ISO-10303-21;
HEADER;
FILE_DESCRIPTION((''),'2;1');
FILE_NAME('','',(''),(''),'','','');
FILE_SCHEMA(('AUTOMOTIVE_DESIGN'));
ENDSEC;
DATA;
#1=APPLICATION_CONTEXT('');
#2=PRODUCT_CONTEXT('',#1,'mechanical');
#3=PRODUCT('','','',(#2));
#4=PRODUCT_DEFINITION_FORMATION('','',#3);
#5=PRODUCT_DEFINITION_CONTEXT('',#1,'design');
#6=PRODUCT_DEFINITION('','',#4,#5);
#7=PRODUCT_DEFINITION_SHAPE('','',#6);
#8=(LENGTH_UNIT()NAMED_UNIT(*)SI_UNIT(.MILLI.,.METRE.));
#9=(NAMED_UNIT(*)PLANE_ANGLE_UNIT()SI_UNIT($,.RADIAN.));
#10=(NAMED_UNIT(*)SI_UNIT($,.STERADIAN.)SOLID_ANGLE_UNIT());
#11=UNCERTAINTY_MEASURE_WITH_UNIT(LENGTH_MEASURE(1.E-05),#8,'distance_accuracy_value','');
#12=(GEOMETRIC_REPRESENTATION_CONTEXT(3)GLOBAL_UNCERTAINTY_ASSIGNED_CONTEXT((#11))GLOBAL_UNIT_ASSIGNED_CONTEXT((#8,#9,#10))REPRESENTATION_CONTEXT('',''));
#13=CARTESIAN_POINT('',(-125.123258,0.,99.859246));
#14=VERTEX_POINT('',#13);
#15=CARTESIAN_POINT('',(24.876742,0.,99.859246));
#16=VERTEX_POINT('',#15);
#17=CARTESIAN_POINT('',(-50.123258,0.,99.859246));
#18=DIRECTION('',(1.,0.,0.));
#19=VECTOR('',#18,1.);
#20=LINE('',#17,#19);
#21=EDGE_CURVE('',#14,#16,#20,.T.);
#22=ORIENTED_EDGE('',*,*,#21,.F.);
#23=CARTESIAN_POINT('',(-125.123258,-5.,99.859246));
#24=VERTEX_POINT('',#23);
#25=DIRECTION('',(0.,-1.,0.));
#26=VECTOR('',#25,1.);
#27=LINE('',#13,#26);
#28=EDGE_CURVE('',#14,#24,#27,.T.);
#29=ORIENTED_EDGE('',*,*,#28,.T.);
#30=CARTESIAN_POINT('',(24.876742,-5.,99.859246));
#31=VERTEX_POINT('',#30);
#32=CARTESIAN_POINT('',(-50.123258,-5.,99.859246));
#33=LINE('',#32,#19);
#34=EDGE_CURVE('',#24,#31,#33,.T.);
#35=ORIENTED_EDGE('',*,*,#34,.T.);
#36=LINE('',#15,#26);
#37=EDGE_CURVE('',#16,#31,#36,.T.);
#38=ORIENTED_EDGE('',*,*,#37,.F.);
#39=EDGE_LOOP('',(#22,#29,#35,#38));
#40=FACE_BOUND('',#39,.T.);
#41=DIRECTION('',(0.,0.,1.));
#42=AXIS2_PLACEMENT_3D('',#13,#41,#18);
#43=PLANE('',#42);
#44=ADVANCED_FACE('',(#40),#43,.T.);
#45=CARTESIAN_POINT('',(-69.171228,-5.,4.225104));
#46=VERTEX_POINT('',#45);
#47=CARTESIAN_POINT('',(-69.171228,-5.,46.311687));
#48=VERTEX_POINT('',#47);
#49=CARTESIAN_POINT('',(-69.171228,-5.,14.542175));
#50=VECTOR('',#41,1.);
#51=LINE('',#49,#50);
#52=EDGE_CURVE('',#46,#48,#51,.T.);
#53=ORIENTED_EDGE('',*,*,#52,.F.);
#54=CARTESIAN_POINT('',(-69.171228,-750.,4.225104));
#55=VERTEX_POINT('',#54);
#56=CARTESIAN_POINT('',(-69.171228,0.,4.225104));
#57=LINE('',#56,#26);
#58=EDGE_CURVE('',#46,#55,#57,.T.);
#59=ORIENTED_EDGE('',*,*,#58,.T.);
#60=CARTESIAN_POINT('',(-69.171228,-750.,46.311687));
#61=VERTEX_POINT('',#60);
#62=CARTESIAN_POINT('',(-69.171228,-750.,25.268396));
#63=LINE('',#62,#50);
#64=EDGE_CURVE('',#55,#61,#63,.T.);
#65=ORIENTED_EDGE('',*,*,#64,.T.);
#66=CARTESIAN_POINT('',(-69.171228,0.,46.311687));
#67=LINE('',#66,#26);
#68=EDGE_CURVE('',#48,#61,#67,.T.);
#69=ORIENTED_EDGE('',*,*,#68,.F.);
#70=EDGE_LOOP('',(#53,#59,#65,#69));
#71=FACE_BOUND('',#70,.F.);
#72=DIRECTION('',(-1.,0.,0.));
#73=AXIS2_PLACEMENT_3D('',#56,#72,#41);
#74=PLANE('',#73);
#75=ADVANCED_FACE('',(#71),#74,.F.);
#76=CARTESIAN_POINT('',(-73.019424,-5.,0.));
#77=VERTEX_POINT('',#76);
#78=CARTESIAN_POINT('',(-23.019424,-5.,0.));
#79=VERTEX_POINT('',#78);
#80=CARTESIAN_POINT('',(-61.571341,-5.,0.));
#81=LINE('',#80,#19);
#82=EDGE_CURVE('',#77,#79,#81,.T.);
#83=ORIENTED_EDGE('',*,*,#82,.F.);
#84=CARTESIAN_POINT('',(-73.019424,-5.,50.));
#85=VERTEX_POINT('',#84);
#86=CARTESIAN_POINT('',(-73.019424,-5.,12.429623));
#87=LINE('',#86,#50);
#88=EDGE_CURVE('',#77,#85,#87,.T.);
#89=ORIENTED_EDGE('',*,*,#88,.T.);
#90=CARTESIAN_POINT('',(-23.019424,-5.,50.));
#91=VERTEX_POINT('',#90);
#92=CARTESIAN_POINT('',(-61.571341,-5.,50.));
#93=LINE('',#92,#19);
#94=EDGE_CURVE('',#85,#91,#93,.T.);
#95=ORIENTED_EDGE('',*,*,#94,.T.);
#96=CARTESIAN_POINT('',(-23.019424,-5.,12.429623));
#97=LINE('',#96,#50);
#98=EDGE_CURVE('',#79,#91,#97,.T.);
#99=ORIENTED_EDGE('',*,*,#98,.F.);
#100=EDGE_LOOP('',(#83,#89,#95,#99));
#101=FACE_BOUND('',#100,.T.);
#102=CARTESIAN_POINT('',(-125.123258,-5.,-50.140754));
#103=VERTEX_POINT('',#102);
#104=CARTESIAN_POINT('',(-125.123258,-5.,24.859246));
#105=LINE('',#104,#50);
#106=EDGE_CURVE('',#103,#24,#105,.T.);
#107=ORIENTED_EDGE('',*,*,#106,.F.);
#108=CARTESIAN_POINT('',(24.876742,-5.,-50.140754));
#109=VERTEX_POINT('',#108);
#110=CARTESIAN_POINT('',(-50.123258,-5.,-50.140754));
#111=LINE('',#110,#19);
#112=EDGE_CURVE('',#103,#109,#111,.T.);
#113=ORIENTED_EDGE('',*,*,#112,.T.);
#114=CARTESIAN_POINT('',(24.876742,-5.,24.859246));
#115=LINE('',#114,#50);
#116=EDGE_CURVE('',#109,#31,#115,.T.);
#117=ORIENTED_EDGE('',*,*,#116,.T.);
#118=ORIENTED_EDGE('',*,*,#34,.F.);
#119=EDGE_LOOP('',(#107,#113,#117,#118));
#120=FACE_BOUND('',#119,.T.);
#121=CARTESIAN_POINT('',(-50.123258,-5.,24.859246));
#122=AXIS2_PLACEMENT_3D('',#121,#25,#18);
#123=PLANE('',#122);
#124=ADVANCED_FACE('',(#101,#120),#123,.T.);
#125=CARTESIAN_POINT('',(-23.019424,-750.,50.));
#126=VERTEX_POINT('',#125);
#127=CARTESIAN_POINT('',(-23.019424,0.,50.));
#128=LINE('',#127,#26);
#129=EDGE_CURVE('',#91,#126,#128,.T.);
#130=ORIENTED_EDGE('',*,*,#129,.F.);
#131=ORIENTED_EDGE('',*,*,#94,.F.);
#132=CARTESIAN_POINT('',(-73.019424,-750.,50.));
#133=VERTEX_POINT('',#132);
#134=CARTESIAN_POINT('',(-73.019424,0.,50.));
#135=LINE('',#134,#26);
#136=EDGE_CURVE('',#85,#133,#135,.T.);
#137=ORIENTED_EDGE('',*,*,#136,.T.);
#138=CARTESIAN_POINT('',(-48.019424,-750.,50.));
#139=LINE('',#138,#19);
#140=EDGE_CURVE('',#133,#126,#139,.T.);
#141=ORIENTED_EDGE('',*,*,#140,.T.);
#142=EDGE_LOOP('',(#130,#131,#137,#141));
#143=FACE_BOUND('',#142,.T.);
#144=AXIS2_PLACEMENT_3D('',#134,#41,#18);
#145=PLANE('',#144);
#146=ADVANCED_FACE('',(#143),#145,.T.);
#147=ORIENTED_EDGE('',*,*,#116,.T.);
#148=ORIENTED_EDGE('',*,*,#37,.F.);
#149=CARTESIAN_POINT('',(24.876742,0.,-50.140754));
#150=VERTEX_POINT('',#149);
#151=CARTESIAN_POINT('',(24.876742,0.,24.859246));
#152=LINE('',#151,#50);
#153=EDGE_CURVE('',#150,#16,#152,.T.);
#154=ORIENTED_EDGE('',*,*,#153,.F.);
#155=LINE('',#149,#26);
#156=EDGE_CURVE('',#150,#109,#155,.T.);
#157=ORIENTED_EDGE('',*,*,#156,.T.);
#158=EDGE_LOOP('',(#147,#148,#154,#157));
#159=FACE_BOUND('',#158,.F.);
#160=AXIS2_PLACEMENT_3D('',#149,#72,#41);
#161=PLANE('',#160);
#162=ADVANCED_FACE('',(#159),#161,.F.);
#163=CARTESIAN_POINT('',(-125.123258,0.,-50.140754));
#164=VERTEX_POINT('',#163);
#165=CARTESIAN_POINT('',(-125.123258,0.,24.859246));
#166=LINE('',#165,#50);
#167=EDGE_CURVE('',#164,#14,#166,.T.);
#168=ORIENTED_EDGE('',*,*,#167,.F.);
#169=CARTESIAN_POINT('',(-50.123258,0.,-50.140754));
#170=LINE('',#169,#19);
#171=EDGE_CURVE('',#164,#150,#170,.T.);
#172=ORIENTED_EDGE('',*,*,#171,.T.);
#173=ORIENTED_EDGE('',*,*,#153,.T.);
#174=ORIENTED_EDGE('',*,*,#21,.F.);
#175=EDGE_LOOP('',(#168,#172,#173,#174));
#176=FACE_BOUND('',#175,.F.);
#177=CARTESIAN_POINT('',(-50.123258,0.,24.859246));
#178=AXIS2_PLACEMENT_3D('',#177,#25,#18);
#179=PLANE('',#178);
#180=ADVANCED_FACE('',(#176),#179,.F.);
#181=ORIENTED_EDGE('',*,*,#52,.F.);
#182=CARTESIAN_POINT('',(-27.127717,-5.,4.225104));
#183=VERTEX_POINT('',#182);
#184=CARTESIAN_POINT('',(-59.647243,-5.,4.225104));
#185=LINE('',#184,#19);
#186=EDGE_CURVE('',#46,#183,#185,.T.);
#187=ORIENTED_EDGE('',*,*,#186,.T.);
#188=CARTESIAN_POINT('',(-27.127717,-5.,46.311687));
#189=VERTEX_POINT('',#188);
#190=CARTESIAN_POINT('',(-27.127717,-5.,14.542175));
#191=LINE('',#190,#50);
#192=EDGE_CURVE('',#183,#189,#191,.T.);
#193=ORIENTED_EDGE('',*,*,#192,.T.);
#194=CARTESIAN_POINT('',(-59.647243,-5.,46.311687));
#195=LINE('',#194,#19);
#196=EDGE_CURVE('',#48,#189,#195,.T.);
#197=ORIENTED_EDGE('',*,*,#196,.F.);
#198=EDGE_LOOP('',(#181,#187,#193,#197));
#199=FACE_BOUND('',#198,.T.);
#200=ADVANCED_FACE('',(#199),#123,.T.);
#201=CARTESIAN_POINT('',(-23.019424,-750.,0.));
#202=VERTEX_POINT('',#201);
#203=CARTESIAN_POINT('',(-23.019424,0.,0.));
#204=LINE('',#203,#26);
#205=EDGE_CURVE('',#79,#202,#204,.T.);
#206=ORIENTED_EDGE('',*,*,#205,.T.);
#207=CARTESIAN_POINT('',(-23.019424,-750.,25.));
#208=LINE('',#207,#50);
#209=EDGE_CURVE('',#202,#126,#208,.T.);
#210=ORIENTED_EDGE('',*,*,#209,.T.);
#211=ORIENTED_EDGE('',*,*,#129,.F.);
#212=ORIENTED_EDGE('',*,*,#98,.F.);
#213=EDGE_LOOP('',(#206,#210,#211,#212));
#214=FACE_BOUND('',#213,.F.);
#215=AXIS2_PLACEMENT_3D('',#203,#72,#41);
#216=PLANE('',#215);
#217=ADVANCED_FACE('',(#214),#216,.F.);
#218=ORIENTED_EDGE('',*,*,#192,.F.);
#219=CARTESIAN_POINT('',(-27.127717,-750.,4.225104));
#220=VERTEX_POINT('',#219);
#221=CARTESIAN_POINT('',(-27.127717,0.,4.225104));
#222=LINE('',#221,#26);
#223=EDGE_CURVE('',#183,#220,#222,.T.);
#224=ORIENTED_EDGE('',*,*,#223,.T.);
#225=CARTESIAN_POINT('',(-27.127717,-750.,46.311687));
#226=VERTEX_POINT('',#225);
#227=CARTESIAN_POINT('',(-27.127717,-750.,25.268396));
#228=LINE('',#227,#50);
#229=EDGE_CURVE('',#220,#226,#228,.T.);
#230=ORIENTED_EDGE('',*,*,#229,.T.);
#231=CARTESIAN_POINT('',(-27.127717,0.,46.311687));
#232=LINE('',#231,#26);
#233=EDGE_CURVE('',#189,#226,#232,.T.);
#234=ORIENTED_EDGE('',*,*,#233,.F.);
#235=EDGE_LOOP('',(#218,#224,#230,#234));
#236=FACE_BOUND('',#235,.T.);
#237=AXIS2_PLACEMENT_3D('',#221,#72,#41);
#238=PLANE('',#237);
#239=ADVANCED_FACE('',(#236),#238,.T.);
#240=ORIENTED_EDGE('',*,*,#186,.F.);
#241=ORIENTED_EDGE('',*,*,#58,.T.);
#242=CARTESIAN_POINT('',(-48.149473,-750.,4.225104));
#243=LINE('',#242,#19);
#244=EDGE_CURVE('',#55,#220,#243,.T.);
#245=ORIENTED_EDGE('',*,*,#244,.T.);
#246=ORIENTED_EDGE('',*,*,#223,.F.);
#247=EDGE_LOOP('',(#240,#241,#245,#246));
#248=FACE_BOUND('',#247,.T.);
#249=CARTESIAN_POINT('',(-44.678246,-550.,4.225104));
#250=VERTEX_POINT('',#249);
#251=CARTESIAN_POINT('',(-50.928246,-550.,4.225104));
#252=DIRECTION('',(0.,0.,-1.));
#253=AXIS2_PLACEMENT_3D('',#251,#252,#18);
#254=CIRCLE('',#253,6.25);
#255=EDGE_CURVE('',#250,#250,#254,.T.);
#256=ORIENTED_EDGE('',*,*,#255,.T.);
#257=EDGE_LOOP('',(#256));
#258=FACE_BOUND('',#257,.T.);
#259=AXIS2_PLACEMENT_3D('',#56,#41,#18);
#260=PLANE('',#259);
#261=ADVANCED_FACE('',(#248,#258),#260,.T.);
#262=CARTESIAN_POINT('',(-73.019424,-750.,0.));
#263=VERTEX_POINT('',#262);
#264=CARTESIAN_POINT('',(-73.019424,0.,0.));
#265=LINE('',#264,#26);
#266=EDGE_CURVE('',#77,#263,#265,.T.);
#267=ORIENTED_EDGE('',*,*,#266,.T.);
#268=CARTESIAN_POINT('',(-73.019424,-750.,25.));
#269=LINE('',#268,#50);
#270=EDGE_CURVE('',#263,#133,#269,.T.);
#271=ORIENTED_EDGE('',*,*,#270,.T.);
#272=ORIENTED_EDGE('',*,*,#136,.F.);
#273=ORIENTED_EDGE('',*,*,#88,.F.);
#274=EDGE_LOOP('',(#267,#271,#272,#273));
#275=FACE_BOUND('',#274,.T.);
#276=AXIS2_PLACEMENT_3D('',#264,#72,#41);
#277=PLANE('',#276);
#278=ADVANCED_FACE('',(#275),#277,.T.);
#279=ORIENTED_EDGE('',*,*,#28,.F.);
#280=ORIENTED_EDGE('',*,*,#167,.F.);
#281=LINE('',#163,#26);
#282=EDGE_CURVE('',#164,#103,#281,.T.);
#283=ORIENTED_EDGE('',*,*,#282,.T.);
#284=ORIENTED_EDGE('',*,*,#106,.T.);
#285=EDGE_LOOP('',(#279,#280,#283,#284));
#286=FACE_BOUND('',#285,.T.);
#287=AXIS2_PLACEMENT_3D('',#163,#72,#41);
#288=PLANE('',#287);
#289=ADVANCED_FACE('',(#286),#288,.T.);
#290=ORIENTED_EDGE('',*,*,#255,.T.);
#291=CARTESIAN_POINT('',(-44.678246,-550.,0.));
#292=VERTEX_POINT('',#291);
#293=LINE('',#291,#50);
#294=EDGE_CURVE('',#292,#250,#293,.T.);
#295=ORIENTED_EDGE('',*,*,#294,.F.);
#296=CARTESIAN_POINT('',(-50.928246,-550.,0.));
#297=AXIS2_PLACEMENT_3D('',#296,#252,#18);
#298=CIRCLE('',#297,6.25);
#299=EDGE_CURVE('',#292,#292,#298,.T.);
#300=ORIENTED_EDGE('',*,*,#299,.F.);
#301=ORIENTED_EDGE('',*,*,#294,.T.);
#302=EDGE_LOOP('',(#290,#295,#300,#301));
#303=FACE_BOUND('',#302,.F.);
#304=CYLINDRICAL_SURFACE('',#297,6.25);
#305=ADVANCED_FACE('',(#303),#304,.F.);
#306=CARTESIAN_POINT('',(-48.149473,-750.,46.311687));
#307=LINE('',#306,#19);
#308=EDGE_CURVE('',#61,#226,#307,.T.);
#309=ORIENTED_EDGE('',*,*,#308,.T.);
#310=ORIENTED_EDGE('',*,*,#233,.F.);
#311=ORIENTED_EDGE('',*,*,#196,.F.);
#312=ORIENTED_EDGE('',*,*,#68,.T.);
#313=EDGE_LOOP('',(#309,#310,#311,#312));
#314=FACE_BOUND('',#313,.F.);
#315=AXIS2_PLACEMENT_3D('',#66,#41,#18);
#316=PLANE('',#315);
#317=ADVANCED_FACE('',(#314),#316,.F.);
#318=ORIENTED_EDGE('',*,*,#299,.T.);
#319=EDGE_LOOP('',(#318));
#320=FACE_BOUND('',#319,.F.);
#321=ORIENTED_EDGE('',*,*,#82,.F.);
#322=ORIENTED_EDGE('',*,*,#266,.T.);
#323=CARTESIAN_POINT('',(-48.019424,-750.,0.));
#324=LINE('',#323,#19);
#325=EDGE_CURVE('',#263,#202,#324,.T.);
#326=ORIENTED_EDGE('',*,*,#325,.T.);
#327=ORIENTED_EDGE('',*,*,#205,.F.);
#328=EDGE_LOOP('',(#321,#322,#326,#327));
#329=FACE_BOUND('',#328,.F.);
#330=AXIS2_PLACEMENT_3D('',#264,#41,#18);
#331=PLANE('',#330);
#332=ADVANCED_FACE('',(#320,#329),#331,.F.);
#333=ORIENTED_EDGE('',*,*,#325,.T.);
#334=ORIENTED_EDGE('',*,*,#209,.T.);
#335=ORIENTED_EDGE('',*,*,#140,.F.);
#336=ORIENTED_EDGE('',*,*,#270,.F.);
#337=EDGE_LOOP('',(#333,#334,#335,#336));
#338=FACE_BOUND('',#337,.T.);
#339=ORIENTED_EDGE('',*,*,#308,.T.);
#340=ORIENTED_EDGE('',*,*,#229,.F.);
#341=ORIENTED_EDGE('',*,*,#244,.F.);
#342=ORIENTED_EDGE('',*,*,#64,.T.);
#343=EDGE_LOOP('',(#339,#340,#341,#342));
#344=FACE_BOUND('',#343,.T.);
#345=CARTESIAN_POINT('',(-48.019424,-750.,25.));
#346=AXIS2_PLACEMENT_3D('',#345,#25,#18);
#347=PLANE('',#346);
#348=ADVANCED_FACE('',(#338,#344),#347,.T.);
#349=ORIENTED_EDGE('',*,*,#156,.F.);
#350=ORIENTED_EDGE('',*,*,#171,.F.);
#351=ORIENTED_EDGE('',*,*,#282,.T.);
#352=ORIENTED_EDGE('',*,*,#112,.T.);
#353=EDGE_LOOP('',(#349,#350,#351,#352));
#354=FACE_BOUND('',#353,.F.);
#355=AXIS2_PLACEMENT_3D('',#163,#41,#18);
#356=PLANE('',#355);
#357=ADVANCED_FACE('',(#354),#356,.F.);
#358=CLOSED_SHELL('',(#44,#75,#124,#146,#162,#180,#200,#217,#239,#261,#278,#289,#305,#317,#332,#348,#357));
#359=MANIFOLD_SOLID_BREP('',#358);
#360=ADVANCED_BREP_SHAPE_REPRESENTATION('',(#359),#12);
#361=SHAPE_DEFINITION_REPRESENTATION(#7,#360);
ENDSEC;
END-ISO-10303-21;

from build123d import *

# Parameters (mm, degrees)
F0_W     = 50
F0_H     = 50
F0_W_2   = 42.043511
F0_H_2   = 42.086583
F1_DEPTH = 750
F2_W     = 150
F2_H     = 150
F3_DEPTH = 5
F4_R     = 6.25
F5_DEPTH = 25


with BuildPart() as f1:
    # F0 (on Front) → F1 (new body)
    with BuildSketch(Plane.XZ):
        with Locations((-48.019424, 25)):
            Rectangle(F0_W, F0_H)
        with Locations((-48.149473, 25.268396)):
            Rectangle(F0_W_2, F0_H_2, mode=Mode.SUBTRACT)
    extrude(amount=F1_DEPTH)

    # F2 (on Front) → F3 (join)
    with BuildSketch(Plane.XZ):
        with Locations((-50.123258, 24.859246)):
            Rectangle(F2_W, F2_H)
    extrude(amount=F3_DEPTH)

    # F4 (on face) → F5 (cut)
    with BuildSketch(Plane(origin=(0, 0, 0), x_dir=(1, 0, 0), z_dir=(0, 0, -1))):
        with Locations((-50.928246, 550)):
            Circle(F4_R)
    extrude(amount=-F5_DEPTH, mode=Mode.SUBTRACT)


solid = f1.part
